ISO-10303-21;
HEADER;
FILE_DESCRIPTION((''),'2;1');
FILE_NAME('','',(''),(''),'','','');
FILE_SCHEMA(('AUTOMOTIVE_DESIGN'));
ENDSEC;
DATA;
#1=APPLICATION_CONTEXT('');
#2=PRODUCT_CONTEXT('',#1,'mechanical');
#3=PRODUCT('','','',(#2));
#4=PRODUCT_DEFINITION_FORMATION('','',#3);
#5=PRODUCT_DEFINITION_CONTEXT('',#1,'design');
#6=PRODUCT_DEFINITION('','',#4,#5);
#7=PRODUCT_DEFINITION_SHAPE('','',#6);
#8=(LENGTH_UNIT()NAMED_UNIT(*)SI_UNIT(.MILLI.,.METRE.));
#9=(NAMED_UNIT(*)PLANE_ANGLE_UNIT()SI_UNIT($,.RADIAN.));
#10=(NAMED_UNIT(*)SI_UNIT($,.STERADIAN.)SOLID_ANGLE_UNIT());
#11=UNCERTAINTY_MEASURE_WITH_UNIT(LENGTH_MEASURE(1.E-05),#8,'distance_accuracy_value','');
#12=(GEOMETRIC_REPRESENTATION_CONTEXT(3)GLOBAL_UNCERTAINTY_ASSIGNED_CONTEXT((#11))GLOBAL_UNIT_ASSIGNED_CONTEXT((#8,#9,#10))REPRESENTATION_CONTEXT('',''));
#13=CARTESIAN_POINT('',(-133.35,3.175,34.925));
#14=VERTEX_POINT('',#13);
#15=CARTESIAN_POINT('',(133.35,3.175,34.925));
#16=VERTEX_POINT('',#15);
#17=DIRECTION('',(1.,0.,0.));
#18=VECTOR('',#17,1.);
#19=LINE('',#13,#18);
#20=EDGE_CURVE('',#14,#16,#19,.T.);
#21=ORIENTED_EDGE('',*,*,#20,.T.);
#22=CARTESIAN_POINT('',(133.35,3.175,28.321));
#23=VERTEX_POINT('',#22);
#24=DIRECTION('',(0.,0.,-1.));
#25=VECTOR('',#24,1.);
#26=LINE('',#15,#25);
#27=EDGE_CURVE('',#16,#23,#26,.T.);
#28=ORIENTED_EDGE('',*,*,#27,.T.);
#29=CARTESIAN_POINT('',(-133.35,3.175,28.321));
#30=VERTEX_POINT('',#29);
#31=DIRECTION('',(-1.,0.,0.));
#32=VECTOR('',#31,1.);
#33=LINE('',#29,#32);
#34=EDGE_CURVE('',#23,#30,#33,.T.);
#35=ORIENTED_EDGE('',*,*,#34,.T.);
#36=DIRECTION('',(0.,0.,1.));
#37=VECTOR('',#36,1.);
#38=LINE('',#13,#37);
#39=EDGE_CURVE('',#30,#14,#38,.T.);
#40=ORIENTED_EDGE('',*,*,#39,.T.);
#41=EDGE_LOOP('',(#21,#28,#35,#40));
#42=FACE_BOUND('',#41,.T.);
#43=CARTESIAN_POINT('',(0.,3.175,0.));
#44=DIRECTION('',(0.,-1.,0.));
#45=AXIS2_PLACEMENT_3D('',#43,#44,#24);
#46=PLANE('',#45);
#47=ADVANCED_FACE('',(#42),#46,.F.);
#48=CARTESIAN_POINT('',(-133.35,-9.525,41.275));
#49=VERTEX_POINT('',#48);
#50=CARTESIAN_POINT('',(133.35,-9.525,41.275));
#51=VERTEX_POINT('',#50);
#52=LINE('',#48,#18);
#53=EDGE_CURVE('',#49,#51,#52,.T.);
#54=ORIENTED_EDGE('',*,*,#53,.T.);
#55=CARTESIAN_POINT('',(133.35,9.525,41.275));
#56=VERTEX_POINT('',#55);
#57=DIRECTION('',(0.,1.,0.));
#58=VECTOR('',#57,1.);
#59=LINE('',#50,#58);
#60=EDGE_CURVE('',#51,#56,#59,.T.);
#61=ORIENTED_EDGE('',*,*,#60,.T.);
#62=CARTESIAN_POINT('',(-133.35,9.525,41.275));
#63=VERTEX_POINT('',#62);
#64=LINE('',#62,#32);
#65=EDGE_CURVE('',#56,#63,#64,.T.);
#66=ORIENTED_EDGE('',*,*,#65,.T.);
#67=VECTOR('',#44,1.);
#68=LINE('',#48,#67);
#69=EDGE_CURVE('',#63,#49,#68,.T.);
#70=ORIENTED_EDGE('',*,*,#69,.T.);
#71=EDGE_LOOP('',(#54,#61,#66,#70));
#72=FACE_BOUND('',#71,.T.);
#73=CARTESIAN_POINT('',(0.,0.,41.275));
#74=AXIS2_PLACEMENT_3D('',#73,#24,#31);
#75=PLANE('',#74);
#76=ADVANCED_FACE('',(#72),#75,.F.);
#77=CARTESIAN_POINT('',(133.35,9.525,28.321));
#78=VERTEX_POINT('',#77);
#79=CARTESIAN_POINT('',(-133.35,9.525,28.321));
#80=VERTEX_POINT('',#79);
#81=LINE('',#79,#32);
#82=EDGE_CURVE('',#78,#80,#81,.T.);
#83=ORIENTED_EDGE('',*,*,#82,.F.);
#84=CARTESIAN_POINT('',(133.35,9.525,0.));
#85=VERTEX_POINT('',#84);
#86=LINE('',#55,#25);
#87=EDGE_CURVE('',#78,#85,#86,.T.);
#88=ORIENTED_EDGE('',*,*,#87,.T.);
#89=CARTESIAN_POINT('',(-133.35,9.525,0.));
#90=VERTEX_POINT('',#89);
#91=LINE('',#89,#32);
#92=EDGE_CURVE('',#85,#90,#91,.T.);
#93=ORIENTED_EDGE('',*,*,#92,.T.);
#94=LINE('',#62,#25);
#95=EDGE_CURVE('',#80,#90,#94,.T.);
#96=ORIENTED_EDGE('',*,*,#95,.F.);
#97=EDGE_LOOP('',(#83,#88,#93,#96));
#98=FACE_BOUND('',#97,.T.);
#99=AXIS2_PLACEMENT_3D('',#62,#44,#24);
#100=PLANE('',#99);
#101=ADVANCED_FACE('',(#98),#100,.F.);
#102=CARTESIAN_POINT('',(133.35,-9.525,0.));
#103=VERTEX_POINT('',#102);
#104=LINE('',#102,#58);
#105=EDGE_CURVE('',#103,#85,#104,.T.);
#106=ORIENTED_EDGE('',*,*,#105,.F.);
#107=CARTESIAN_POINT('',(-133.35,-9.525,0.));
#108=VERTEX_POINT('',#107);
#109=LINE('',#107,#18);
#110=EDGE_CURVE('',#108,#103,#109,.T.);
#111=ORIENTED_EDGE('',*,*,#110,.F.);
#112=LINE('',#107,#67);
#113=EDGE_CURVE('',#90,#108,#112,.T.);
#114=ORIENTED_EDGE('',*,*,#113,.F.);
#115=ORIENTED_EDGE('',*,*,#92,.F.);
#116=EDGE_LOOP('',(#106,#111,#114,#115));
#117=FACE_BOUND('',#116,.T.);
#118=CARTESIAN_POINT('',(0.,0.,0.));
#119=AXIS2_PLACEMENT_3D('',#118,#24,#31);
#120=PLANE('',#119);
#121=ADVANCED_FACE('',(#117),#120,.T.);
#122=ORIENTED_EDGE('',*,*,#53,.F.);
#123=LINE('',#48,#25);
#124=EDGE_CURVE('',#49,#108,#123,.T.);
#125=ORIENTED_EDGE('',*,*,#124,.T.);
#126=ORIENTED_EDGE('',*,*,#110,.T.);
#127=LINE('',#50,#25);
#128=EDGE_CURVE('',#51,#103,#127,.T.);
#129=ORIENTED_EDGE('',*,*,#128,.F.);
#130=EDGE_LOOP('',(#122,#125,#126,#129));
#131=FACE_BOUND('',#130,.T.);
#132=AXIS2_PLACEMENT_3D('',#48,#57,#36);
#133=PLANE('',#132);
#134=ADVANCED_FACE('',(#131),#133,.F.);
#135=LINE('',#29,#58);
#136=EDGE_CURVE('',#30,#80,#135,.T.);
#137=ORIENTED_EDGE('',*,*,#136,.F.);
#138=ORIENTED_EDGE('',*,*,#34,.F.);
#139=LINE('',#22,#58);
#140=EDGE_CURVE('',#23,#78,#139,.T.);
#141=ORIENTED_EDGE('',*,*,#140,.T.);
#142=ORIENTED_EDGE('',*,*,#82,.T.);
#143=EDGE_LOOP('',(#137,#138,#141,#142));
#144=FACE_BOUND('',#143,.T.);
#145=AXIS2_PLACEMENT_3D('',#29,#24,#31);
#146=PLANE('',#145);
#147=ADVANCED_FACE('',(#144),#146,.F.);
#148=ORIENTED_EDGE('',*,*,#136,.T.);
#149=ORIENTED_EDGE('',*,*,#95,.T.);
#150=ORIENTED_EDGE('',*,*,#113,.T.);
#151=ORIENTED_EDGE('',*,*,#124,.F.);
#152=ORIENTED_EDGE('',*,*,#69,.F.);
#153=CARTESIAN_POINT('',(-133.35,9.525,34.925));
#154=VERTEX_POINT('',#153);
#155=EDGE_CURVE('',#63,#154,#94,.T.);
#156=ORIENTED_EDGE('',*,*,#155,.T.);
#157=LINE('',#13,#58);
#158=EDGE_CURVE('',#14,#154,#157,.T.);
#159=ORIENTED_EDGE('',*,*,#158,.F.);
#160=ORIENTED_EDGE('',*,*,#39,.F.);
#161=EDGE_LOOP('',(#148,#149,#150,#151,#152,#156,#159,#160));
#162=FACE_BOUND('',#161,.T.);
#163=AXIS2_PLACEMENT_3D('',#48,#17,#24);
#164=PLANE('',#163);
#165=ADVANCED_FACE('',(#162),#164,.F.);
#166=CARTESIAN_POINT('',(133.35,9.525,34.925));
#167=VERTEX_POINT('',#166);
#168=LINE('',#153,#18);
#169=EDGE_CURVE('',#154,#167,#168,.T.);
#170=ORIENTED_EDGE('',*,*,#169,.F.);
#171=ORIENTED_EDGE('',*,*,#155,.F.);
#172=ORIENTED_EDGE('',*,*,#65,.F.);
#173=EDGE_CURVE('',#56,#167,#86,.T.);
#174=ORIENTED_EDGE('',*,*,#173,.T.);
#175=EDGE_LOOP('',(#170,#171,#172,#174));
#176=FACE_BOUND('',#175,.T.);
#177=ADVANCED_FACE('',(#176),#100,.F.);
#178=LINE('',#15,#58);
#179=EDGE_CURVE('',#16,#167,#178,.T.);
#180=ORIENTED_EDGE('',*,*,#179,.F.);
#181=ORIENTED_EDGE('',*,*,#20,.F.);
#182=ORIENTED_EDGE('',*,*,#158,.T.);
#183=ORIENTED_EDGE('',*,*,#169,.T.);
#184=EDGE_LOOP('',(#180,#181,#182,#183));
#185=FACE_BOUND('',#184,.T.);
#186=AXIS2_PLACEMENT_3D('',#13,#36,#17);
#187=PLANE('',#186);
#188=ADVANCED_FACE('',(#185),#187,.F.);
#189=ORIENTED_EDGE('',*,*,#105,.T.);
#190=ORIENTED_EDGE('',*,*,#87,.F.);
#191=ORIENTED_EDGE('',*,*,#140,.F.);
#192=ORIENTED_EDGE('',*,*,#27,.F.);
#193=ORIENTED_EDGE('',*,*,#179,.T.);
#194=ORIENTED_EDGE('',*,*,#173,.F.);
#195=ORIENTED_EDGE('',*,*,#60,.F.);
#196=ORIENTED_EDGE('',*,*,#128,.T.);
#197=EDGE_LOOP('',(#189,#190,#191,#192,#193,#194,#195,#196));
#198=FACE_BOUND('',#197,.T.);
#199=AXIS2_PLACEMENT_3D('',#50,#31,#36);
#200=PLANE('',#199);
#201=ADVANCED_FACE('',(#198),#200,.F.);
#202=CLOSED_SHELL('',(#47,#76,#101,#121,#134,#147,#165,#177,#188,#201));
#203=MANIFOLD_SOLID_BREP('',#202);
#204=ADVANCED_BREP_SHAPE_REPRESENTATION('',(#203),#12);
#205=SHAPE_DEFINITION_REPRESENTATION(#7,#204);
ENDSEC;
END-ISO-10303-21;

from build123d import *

# Parameters (mm, degrees)
SKETCH1_W           = 266.7
SKETCH1_H           = 19.05
BOSS_EXTRUDE1_DEPTH = 41.275
SKETCH2_W           = 266.7
SKETCH2_H           = 6.604
CUT_EXTRUDE1_DEPTH  = 6.35


with BuildPart() as part:
    # Sketch1 → Boss-Extrude1 (new body)
    with BuildSketch(Plane.XY):
        Rectangle(SKETCH1_W, SKETCH1_H)
    extrude(amount=BOSS_EXTRUDE1_DEPTH)

    # Sketch2 → Cut-Extrude1 (cut)
    with BuildSketch(Plane(origin=(0, 9.525, 0), x_dir=(1, 0, 0), z_dir=(0, 1, 0))):
        with Locations((0, -31.623)):
            Rectangle(SKETCH2_W, SKETCH2_H)
    extrude(amount=-CUT_EXTRUDE1_DEPTH, mode=Mode.SUBTRACT)


solid = part.part
